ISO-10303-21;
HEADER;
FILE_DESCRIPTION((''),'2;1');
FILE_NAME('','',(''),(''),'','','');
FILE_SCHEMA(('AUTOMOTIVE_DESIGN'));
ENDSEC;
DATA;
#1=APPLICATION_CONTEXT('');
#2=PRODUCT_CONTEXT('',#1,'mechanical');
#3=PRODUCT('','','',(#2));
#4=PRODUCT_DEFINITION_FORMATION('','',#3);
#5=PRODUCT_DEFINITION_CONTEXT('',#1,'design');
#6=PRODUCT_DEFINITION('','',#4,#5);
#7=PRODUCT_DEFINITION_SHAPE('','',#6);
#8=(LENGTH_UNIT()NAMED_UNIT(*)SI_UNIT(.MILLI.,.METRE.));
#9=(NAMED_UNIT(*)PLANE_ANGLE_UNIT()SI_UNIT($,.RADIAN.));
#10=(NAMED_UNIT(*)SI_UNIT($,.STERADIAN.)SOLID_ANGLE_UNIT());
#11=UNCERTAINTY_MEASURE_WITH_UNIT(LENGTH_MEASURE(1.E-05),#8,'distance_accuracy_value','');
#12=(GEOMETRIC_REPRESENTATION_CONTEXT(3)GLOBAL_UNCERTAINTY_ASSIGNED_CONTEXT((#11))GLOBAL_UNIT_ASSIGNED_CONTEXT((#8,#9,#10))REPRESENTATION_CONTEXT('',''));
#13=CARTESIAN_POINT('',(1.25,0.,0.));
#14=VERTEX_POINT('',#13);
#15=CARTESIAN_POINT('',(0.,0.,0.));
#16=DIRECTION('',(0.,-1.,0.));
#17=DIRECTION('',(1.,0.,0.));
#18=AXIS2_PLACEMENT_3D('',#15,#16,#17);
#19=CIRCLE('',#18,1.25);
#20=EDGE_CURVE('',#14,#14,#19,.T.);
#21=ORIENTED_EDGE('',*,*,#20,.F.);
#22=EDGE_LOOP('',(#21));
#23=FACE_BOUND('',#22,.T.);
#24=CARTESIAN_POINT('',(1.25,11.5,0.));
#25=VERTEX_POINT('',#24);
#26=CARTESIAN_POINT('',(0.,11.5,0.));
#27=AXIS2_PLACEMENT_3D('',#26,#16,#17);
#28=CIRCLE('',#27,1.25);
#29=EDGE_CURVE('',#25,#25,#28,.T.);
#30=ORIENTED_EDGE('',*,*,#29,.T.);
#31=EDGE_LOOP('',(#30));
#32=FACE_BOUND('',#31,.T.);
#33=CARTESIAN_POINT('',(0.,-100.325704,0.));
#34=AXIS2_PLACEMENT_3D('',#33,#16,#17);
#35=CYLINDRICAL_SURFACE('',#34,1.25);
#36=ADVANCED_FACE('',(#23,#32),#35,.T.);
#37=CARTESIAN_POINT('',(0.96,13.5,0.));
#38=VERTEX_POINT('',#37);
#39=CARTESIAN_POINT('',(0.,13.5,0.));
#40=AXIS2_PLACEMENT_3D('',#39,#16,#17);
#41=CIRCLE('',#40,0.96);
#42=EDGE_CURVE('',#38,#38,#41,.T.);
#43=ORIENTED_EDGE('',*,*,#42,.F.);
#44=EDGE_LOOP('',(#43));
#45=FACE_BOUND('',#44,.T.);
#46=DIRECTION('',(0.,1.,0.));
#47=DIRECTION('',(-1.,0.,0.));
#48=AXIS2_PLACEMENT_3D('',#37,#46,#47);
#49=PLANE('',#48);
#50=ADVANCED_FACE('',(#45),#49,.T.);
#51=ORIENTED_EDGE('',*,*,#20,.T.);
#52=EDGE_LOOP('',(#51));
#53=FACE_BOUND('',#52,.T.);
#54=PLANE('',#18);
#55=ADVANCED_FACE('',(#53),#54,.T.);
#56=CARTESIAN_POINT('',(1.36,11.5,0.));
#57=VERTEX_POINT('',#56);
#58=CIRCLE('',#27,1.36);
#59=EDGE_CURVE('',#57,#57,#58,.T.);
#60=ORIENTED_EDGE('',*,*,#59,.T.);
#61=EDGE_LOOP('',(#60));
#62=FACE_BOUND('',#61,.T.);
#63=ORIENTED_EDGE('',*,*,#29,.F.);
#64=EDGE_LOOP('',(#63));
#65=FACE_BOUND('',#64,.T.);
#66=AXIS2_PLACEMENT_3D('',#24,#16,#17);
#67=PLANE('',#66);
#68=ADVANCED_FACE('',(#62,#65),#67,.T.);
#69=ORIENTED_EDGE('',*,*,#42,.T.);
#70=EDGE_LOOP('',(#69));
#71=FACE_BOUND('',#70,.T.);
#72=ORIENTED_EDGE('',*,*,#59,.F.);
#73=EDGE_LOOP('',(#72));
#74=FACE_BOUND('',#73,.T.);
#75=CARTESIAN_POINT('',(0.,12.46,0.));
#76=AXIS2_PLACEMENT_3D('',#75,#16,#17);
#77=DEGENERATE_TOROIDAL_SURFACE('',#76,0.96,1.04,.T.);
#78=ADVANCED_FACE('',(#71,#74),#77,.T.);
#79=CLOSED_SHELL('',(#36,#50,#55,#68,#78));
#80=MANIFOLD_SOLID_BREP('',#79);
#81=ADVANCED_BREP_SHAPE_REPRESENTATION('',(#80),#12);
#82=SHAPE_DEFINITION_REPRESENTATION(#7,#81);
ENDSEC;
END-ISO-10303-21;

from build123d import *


with BuildPart() as part:
    # Sketch1 → Revolve1 (revolve)
    with BuildSketch(Plane.XY):
        with BuildLine():
            Line((0, 0), (1.25, 0))
            Line((1.25, 0), (1.25, 11.5))
            Line((1.25, 11.5), (1.36, 11.5))
            ThreePointArc((1.36, 11.5), (1.979803903, 12.663960781), (0.96, 13.5))
            Line((0.96, 13.5), (0, 13.5))
            Line((0, 13.5), (0, 0))
        make_face()
    revolve(axis=Axis((0, -100.325704338, 0), (0, 1, 0)))


solid = part.part
